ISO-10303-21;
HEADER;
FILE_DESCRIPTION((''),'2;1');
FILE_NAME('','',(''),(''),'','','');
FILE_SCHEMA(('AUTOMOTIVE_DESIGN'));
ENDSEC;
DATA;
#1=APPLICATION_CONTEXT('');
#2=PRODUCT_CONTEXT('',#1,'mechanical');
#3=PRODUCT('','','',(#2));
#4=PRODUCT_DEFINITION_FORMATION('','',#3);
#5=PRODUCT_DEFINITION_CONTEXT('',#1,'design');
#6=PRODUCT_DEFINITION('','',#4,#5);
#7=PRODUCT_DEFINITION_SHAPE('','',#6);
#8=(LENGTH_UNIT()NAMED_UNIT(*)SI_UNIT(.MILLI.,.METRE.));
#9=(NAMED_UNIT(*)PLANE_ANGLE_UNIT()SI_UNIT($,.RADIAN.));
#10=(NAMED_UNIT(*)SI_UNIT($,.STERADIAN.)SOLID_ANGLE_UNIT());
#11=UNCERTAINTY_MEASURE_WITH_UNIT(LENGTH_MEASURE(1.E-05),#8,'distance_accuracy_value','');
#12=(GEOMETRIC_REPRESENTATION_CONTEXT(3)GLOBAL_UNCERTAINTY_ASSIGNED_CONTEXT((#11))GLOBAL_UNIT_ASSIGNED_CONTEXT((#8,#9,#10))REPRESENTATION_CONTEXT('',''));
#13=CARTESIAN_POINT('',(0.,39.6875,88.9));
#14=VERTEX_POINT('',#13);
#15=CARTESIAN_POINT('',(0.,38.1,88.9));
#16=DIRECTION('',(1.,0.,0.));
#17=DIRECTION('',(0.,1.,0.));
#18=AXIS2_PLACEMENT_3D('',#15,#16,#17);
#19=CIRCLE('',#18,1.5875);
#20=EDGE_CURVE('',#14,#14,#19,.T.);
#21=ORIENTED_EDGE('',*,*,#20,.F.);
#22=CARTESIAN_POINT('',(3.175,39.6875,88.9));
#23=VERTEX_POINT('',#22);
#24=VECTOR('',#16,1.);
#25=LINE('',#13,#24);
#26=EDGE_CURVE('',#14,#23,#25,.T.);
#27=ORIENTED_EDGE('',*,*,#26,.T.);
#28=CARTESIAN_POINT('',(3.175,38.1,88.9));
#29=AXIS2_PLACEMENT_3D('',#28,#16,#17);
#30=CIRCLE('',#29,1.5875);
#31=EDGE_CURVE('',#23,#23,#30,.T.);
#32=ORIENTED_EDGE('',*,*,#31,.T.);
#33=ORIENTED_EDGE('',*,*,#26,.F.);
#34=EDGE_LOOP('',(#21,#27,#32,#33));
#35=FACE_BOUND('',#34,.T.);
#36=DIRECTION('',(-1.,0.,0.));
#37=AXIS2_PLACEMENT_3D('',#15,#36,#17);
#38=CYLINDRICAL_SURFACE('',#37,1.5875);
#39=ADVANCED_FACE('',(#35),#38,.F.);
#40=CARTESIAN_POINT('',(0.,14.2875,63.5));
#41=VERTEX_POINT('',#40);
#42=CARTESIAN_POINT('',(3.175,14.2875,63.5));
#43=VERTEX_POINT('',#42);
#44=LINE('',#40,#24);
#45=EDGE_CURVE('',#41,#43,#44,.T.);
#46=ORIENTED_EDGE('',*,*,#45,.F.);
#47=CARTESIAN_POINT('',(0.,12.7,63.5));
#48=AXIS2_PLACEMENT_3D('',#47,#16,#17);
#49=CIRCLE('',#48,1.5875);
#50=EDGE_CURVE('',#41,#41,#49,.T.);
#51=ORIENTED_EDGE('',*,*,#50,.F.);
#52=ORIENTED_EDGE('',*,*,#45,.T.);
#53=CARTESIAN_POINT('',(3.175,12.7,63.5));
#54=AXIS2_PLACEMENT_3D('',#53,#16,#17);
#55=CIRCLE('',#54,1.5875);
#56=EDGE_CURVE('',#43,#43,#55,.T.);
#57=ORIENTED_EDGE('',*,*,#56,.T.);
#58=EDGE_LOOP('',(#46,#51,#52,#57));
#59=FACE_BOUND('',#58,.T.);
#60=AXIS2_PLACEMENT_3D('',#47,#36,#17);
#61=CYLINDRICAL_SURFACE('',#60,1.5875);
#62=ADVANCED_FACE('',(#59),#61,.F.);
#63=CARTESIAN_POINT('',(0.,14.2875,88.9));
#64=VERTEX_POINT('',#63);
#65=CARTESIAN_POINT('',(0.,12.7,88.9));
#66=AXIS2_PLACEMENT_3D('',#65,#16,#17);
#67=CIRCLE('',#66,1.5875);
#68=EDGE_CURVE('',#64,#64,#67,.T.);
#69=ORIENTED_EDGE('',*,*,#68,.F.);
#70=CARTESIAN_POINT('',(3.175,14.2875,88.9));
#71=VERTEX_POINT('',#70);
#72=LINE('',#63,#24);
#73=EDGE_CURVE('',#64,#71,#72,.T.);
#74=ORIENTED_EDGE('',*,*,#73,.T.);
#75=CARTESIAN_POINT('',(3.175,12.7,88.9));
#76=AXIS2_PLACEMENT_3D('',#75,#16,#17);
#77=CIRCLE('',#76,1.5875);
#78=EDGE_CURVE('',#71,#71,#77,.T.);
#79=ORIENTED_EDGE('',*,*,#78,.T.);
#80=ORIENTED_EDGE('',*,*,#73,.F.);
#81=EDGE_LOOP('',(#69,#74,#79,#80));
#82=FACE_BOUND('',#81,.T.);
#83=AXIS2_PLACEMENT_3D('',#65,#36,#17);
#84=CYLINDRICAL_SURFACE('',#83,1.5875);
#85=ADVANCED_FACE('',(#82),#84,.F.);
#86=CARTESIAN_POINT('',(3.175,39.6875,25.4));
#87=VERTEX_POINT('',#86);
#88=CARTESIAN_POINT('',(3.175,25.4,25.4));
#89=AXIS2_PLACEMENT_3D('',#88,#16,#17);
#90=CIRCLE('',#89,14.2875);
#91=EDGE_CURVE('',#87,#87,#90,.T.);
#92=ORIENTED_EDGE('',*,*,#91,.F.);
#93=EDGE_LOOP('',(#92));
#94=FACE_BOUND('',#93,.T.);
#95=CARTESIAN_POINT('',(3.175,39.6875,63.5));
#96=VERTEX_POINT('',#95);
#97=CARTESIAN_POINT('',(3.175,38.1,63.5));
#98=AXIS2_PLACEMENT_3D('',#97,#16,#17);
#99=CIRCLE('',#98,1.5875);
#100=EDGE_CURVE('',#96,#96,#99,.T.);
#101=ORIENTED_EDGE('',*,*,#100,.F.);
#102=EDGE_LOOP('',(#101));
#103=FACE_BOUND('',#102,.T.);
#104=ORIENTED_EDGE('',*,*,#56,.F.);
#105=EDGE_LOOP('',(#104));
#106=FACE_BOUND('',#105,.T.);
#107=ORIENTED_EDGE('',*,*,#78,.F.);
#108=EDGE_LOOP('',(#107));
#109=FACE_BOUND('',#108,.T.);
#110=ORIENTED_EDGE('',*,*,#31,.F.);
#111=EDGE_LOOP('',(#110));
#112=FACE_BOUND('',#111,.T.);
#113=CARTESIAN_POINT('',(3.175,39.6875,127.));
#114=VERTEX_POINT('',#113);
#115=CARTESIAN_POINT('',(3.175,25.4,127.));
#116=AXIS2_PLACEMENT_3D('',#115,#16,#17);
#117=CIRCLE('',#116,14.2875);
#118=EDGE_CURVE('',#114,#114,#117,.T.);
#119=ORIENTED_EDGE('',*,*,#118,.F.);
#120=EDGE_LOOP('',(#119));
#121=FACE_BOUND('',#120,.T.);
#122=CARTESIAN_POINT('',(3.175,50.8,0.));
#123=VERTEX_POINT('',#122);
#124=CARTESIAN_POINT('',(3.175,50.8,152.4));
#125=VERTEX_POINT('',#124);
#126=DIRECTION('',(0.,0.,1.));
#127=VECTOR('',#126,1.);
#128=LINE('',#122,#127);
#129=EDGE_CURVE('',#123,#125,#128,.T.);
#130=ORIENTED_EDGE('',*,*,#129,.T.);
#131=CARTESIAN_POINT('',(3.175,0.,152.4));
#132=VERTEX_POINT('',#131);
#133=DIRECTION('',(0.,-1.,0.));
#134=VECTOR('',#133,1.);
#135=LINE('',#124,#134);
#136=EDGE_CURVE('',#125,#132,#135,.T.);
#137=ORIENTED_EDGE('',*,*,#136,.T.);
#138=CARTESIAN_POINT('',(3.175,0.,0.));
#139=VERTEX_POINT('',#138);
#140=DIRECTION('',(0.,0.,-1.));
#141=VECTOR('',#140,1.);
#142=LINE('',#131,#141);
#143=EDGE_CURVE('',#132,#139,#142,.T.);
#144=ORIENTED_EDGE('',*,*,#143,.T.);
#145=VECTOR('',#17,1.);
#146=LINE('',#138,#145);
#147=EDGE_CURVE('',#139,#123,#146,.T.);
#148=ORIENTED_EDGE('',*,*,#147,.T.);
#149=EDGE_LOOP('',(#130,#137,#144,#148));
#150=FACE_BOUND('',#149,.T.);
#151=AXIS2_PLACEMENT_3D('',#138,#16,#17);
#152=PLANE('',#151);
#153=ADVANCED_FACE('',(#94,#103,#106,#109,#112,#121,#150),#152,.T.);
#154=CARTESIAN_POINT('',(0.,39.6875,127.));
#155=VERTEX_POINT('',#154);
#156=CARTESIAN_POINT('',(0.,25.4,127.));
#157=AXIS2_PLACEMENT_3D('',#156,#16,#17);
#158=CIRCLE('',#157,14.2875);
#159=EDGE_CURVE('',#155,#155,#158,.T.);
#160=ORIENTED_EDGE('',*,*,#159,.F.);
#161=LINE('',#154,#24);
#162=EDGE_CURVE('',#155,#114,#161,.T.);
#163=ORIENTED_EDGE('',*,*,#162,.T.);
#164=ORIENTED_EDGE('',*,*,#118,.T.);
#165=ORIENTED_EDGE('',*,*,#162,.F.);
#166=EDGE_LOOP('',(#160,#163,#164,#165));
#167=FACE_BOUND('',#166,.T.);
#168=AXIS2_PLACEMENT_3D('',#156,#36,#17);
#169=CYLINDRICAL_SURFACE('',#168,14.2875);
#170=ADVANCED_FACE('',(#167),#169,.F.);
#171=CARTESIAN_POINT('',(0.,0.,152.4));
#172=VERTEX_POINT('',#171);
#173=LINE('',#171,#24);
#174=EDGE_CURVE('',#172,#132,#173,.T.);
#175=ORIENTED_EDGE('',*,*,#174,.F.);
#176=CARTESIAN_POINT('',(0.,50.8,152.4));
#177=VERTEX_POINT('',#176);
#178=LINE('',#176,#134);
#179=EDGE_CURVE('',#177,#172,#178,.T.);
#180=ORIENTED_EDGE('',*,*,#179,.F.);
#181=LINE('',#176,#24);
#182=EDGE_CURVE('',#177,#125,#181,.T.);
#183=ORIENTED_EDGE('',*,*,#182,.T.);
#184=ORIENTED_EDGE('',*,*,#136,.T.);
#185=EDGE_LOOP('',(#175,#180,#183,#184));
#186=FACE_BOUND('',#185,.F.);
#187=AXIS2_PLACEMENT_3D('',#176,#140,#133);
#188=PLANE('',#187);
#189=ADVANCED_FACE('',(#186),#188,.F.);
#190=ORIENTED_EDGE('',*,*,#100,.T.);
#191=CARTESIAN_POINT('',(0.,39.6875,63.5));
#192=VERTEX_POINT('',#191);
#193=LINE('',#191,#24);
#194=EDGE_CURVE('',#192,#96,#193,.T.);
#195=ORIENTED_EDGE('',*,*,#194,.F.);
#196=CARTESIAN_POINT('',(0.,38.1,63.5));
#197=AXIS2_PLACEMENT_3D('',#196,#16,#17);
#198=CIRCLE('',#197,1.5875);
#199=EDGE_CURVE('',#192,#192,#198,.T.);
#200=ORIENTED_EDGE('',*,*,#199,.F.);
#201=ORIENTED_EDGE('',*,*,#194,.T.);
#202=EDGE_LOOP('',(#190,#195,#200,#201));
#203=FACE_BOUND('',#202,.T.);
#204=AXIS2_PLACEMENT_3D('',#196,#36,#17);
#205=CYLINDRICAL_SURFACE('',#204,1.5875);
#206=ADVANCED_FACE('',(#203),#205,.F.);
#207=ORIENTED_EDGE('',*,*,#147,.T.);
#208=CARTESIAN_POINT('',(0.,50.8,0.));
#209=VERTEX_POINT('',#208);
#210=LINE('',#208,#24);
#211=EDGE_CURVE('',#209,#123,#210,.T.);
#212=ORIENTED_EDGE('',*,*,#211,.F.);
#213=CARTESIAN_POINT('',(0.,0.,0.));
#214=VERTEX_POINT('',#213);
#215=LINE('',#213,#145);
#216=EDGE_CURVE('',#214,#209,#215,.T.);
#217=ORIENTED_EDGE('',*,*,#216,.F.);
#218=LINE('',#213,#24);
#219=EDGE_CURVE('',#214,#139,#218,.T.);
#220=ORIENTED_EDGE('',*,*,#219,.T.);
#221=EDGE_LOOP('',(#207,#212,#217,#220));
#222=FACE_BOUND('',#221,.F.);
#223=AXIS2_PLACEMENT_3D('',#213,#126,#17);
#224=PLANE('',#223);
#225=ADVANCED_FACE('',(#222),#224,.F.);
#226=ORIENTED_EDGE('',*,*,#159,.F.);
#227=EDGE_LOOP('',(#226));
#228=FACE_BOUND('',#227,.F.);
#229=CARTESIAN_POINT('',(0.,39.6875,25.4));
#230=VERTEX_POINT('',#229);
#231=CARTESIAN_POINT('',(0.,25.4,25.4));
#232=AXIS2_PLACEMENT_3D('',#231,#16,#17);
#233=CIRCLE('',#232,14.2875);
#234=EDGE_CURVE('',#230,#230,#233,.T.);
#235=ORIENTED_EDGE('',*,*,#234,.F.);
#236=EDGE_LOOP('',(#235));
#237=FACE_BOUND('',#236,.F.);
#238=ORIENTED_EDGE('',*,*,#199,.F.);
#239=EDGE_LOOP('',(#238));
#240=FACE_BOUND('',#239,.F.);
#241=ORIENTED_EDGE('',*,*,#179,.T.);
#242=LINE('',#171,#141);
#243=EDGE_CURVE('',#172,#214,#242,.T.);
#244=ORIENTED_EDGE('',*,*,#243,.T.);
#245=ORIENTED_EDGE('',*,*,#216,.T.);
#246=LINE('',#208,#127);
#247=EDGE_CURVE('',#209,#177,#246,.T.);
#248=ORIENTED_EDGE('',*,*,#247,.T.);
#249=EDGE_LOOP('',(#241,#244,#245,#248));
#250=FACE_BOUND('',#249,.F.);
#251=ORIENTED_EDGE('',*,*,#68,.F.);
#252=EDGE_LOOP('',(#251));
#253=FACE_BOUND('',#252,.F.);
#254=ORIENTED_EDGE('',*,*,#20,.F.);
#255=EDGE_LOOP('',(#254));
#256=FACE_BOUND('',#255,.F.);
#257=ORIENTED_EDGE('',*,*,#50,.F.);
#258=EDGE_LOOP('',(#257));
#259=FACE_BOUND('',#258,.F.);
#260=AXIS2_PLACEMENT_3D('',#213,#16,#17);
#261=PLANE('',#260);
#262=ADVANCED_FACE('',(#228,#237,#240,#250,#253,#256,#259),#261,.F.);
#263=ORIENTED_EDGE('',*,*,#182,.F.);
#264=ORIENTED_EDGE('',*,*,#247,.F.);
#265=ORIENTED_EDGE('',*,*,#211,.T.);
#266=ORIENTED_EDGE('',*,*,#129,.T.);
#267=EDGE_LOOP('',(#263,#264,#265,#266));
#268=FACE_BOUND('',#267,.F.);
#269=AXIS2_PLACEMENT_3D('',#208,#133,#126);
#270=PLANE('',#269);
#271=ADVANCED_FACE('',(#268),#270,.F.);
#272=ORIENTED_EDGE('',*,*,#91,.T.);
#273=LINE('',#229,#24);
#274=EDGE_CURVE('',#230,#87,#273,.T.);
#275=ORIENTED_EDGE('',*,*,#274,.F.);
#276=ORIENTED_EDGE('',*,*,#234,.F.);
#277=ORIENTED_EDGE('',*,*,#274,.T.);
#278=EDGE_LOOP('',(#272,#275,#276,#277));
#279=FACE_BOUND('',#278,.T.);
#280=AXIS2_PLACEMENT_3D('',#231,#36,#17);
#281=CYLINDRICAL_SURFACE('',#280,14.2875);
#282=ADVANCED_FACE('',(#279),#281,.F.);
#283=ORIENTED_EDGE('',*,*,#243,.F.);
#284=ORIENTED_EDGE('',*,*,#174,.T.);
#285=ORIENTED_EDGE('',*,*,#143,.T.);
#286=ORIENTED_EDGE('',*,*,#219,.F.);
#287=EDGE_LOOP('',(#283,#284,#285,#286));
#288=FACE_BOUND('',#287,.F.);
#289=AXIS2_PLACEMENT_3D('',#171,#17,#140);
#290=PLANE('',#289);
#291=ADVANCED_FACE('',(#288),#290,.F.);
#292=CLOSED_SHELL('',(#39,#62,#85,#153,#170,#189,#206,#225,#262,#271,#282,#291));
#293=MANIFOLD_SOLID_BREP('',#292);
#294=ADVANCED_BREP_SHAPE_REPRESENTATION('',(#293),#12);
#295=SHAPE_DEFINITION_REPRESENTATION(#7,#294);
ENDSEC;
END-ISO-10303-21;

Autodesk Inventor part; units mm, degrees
ref_plane "YZ Plane" through (0, 0, 0) normal (1, 0, 0) x (0, 1, 0)
ref_plane "XZ Plane" through (0, 0, 0) normal (0, 1, 0) x (-1, 0, 0)
ref_plane "XY Plane" through (0, 0, 0) normal (0, 0, 1) x (1, 0, 0)
sketch "Sketch1" plane through (0, 0, 0) normal (1, 0, 0) x (0, 1, 0)
  line L0 (0, 0) -> (50.8, 0)
  line L1 (50.8, 0) -> (50.8, 152.4)
  line L2 (50.8, 152.4) -> (0, 152.4)
  line L3 (0, 152.4) -> (0, 0)
  line L4 (50.8, 0) -> (50.8, 25.4) construction
  line L5 (50.8, 25.4) -> (0, 25.4) construction
  line L6 (25.4, 0) -> (25.4, 25.4) construction
  circle A0 centre (25.4, 25.4) radius 14.2875
  line L7 (50.8, 25.4) -> (50.8, 38.1) construction
  line L8 (50.8, 76.2) -> (0, 76.2) construction
  circle A1 centre (25.4, 127) radius 14.2875
  line L9 (50.8, 76.2) -> (50.8, 88.9) construction
  line L10 (50.8, 88.9) -> (38.1, 88.9) construction
  circle A2 centre (38.1, 88.9) radius 1.5875
  line L11 (25.4, 152.4) -> (25.4, 0) construction
  circle A3 centre (38.1, 63.5) radius 1.5875
  circle A4 centre (12.7, 88.9) radius 1.5875
  circle A5 centre (12.7, 63.5) radius 1.5875
  dimension "d11" = 50.8
  dimension "d12" = 152.4
  dimension "d13" = 25.4
  dimension "d14" = 28.575
  dimension "d22" = 12.7
  dimension "d23" = 12.7
  dimension "d24" = 3.175
extrude "Extrusion2" add sketch "Sketch1" along normal blind 3.175
properties part number "2AM-17-P-0206  - slider plate" material "Aluminum 6061"
